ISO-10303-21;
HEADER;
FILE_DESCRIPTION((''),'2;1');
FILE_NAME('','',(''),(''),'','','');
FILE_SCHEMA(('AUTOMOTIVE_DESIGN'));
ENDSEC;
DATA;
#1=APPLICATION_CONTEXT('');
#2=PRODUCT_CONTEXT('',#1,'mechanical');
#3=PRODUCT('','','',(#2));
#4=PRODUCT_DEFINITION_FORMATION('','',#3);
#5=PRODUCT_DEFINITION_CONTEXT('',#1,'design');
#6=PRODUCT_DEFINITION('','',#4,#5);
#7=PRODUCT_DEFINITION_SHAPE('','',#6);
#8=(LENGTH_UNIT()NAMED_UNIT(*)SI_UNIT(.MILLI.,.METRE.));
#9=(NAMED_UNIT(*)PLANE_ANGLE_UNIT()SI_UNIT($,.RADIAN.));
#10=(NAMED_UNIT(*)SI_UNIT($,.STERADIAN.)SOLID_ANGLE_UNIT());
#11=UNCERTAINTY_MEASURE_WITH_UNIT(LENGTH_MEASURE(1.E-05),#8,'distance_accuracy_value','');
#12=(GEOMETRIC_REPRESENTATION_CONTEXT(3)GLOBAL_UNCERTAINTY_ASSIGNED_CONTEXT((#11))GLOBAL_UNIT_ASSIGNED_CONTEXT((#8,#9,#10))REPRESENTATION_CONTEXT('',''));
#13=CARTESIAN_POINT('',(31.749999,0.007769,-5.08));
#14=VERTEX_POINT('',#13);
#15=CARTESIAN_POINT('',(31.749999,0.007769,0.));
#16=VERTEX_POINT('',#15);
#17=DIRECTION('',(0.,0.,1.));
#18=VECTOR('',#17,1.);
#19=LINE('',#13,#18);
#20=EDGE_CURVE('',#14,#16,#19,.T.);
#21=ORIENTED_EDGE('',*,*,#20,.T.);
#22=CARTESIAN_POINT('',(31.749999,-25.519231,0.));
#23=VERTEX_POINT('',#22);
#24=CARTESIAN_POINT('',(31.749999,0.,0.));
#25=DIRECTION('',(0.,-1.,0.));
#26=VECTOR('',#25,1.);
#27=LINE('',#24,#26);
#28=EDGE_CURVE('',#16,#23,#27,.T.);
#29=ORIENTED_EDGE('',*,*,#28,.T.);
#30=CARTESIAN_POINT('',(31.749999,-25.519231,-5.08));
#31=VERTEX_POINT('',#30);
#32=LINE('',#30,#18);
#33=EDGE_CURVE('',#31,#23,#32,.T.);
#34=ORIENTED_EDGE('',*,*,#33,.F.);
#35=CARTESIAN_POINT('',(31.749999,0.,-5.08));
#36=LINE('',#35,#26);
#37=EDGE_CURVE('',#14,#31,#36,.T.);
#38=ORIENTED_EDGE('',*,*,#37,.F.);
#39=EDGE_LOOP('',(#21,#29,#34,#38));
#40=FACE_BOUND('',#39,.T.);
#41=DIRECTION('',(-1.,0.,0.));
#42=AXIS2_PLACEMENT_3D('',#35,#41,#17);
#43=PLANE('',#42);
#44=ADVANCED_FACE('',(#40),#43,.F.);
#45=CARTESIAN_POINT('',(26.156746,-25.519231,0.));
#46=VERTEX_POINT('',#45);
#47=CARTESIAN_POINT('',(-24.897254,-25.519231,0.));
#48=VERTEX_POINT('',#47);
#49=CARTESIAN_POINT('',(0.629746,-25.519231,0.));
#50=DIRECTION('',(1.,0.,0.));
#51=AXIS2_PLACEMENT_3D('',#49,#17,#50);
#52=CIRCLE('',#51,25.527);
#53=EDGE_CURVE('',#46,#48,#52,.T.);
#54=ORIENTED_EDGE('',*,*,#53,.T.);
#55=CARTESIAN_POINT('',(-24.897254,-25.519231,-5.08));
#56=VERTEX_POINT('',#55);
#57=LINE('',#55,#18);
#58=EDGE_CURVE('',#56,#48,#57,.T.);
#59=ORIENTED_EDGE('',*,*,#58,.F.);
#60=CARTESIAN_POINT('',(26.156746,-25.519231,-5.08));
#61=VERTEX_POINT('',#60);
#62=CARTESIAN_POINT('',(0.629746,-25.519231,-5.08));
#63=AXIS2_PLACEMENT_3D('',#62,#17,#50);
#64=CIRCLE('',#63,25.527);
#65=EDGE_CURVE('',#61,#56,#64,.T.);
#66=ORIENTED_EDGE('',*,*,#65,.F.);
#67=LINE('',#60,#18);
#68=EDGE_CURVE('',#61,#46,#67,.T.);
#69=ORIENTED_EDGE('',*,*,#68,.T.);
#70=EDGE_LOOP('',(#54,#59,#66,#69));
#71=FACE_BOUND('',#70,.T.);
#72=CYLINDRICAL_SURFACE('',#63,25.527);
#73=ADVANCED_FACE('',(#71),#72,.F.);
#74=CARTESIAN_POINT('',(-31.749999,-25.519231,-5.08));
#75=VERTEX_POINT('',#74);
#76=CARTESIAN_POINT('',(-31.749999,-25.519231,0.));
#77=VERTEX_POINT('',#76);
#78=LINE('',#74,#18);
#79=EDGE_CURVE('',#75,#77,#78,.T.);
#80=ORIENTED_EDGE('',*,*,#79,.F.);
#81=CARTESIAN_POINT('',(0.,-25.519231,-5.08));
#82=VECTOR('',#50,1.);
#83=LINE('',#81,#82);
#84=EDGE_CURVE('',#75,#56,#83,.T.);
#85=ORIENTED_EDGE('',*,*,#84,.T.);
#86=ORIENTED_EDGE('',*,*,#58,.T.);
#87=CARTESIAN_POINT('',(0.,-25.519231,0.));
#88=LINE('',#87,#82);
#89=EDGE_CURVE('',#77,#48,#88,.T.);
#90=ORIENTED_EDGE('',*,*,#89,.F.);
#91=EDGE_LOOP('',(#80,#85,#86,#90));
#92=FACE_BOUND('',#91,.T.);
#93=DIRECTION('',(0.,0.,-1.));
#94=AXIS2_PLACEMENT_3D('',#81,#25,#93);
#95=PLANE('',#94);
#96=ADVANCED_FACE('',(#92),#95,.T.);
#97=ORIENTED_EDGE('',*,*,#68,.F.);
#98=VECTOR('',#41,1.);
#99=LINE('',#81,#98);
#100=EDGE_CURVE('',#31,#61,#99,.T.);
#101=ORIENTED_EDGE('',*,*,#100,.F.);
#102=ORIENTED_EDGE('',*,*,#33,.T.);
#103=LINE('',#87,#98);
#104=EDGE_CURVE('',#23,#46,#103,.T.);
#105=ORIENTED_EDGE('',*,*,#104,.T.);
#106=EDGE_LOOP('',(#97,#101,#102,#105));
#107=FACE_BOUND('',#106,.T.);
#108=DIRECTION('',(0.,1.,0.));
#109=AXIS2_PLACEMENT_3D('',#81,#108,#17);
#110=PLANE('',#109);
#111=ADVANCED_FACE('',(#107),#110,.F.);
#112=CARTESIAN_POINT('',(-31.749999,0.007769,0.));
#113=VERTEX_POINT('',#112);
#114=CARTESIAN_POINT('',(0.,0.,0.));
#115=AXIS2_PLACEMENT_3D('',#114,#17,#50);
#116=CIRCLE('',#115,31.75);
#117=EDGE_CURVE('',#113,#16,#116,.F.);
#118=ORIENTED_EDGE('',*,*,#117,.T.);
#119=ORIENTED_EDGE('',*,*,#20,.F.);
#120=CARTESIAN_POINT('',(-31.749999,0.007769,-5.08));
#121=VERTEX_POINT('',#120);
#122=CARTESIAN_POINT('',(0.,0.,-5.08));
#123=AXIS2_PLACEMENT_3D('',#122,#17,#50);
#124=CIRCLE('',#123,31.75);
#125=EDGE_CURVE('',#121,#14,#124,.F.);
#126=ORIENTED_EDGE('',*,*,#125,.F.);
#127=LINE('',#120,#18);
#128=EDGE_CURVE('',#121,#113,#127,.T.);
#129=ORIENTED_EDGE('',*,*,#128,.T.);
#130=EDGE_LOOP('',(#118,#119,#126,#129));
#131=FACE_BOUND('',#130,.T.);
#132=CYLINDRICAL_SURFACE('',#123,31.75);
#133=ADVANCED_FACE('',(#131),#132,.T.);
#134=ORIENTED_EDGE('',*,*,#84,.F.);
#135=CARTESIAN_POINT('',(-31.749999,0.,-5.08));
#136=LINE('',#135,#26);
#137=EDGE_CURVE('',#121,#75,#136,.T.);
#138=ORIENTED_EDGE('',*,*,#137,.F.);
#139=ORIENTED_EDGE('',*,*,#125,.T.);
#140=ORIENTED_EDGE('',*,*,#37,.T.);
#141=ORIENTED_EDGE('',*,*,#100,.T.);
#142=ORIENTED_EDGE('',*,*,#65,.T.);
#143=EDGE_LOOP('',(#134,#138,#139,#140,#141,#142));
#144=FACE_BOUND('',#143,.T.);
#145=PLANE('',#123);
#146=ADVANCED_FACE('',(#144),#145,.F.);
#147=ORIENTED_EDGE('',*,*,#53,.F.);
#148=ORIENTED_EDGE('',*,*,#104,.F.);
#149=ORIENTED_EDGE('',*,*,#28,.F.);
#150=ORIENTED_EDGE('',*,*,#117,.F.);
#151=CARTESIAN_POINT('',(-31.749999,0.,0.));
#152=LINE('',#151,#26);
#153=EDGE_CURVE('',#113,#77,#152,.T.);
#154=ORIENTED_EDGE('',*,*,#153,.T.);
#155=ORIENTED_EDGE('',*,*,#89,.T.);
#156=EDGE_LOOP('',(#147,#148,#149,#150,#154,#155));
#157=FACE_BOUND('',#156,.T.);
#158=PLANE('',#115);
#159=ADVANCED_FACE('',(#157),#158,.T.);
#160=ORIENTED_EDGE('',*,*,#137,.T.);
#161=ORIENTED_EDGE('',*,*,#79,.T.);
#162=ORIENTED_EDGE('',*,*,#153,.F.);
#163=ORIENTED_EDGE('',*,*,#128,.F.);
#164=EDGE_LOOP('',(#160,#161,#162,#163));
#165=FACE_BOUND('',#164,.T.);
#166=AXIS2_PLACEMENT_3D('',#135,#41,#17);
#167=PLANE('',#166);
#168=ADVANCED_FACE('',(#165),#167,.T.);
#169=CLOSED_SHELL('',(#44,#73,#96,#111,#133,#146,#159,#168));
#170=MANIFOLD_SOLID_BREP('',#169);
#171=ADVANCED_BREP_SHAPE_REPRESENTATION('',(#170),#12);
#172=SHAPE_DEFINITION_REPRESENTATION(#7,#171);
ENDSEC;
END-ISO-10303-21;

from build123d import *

# Parameters (mm, degrees)
BOSS_EXTRUDE1_DEPTH = 5.08


with BuildPart() as part:
    # Sketch1 → Boss-Extrude1 (new body)
    with BuildSketch(Plane.XY):
        with BuildLine():
            Line((0.629745632, 0.007769029), (-31.749999049, 0.007769029))
            Line((-31.749999049, 0.007769029), (-31.749999049, -25.519230971))
            Line((-31.749999049, -25.519230971), (-24.897254295, -25.519230971))
            ThreePointArc((-24.897254295, -25.519230971), (-17.420569124, -7.468916193), (0.629745632, 0.007769029))
        make_face()
        with BuildLine():
            Line((31.749999049, 0.007769029), (0.629745632, 0.007769029))
            ThreePointArc((0.629745632, 0.007769029), (18.680060482, -7.468916142), (26.156745705, -25.519230971))
            Line((26.156745705, -25.519230971), (31.749999049, -25.519230971))
            Line((31.749999049, -25.519230971), (31.749999049, 0.007769029))
        make_face()
        with BuildLine():
            ThreePointArc((-31.749999049, 0.007769029), (0, 31.75), (31.749999049, 0.007769029))
            Line((31.749999049, 0.007769029), (-31.749999049, 0.007769029))
        make_face()
    extrude(amount=-BOSS_EXTRUDE1_DEPTH)


solid = part.part
